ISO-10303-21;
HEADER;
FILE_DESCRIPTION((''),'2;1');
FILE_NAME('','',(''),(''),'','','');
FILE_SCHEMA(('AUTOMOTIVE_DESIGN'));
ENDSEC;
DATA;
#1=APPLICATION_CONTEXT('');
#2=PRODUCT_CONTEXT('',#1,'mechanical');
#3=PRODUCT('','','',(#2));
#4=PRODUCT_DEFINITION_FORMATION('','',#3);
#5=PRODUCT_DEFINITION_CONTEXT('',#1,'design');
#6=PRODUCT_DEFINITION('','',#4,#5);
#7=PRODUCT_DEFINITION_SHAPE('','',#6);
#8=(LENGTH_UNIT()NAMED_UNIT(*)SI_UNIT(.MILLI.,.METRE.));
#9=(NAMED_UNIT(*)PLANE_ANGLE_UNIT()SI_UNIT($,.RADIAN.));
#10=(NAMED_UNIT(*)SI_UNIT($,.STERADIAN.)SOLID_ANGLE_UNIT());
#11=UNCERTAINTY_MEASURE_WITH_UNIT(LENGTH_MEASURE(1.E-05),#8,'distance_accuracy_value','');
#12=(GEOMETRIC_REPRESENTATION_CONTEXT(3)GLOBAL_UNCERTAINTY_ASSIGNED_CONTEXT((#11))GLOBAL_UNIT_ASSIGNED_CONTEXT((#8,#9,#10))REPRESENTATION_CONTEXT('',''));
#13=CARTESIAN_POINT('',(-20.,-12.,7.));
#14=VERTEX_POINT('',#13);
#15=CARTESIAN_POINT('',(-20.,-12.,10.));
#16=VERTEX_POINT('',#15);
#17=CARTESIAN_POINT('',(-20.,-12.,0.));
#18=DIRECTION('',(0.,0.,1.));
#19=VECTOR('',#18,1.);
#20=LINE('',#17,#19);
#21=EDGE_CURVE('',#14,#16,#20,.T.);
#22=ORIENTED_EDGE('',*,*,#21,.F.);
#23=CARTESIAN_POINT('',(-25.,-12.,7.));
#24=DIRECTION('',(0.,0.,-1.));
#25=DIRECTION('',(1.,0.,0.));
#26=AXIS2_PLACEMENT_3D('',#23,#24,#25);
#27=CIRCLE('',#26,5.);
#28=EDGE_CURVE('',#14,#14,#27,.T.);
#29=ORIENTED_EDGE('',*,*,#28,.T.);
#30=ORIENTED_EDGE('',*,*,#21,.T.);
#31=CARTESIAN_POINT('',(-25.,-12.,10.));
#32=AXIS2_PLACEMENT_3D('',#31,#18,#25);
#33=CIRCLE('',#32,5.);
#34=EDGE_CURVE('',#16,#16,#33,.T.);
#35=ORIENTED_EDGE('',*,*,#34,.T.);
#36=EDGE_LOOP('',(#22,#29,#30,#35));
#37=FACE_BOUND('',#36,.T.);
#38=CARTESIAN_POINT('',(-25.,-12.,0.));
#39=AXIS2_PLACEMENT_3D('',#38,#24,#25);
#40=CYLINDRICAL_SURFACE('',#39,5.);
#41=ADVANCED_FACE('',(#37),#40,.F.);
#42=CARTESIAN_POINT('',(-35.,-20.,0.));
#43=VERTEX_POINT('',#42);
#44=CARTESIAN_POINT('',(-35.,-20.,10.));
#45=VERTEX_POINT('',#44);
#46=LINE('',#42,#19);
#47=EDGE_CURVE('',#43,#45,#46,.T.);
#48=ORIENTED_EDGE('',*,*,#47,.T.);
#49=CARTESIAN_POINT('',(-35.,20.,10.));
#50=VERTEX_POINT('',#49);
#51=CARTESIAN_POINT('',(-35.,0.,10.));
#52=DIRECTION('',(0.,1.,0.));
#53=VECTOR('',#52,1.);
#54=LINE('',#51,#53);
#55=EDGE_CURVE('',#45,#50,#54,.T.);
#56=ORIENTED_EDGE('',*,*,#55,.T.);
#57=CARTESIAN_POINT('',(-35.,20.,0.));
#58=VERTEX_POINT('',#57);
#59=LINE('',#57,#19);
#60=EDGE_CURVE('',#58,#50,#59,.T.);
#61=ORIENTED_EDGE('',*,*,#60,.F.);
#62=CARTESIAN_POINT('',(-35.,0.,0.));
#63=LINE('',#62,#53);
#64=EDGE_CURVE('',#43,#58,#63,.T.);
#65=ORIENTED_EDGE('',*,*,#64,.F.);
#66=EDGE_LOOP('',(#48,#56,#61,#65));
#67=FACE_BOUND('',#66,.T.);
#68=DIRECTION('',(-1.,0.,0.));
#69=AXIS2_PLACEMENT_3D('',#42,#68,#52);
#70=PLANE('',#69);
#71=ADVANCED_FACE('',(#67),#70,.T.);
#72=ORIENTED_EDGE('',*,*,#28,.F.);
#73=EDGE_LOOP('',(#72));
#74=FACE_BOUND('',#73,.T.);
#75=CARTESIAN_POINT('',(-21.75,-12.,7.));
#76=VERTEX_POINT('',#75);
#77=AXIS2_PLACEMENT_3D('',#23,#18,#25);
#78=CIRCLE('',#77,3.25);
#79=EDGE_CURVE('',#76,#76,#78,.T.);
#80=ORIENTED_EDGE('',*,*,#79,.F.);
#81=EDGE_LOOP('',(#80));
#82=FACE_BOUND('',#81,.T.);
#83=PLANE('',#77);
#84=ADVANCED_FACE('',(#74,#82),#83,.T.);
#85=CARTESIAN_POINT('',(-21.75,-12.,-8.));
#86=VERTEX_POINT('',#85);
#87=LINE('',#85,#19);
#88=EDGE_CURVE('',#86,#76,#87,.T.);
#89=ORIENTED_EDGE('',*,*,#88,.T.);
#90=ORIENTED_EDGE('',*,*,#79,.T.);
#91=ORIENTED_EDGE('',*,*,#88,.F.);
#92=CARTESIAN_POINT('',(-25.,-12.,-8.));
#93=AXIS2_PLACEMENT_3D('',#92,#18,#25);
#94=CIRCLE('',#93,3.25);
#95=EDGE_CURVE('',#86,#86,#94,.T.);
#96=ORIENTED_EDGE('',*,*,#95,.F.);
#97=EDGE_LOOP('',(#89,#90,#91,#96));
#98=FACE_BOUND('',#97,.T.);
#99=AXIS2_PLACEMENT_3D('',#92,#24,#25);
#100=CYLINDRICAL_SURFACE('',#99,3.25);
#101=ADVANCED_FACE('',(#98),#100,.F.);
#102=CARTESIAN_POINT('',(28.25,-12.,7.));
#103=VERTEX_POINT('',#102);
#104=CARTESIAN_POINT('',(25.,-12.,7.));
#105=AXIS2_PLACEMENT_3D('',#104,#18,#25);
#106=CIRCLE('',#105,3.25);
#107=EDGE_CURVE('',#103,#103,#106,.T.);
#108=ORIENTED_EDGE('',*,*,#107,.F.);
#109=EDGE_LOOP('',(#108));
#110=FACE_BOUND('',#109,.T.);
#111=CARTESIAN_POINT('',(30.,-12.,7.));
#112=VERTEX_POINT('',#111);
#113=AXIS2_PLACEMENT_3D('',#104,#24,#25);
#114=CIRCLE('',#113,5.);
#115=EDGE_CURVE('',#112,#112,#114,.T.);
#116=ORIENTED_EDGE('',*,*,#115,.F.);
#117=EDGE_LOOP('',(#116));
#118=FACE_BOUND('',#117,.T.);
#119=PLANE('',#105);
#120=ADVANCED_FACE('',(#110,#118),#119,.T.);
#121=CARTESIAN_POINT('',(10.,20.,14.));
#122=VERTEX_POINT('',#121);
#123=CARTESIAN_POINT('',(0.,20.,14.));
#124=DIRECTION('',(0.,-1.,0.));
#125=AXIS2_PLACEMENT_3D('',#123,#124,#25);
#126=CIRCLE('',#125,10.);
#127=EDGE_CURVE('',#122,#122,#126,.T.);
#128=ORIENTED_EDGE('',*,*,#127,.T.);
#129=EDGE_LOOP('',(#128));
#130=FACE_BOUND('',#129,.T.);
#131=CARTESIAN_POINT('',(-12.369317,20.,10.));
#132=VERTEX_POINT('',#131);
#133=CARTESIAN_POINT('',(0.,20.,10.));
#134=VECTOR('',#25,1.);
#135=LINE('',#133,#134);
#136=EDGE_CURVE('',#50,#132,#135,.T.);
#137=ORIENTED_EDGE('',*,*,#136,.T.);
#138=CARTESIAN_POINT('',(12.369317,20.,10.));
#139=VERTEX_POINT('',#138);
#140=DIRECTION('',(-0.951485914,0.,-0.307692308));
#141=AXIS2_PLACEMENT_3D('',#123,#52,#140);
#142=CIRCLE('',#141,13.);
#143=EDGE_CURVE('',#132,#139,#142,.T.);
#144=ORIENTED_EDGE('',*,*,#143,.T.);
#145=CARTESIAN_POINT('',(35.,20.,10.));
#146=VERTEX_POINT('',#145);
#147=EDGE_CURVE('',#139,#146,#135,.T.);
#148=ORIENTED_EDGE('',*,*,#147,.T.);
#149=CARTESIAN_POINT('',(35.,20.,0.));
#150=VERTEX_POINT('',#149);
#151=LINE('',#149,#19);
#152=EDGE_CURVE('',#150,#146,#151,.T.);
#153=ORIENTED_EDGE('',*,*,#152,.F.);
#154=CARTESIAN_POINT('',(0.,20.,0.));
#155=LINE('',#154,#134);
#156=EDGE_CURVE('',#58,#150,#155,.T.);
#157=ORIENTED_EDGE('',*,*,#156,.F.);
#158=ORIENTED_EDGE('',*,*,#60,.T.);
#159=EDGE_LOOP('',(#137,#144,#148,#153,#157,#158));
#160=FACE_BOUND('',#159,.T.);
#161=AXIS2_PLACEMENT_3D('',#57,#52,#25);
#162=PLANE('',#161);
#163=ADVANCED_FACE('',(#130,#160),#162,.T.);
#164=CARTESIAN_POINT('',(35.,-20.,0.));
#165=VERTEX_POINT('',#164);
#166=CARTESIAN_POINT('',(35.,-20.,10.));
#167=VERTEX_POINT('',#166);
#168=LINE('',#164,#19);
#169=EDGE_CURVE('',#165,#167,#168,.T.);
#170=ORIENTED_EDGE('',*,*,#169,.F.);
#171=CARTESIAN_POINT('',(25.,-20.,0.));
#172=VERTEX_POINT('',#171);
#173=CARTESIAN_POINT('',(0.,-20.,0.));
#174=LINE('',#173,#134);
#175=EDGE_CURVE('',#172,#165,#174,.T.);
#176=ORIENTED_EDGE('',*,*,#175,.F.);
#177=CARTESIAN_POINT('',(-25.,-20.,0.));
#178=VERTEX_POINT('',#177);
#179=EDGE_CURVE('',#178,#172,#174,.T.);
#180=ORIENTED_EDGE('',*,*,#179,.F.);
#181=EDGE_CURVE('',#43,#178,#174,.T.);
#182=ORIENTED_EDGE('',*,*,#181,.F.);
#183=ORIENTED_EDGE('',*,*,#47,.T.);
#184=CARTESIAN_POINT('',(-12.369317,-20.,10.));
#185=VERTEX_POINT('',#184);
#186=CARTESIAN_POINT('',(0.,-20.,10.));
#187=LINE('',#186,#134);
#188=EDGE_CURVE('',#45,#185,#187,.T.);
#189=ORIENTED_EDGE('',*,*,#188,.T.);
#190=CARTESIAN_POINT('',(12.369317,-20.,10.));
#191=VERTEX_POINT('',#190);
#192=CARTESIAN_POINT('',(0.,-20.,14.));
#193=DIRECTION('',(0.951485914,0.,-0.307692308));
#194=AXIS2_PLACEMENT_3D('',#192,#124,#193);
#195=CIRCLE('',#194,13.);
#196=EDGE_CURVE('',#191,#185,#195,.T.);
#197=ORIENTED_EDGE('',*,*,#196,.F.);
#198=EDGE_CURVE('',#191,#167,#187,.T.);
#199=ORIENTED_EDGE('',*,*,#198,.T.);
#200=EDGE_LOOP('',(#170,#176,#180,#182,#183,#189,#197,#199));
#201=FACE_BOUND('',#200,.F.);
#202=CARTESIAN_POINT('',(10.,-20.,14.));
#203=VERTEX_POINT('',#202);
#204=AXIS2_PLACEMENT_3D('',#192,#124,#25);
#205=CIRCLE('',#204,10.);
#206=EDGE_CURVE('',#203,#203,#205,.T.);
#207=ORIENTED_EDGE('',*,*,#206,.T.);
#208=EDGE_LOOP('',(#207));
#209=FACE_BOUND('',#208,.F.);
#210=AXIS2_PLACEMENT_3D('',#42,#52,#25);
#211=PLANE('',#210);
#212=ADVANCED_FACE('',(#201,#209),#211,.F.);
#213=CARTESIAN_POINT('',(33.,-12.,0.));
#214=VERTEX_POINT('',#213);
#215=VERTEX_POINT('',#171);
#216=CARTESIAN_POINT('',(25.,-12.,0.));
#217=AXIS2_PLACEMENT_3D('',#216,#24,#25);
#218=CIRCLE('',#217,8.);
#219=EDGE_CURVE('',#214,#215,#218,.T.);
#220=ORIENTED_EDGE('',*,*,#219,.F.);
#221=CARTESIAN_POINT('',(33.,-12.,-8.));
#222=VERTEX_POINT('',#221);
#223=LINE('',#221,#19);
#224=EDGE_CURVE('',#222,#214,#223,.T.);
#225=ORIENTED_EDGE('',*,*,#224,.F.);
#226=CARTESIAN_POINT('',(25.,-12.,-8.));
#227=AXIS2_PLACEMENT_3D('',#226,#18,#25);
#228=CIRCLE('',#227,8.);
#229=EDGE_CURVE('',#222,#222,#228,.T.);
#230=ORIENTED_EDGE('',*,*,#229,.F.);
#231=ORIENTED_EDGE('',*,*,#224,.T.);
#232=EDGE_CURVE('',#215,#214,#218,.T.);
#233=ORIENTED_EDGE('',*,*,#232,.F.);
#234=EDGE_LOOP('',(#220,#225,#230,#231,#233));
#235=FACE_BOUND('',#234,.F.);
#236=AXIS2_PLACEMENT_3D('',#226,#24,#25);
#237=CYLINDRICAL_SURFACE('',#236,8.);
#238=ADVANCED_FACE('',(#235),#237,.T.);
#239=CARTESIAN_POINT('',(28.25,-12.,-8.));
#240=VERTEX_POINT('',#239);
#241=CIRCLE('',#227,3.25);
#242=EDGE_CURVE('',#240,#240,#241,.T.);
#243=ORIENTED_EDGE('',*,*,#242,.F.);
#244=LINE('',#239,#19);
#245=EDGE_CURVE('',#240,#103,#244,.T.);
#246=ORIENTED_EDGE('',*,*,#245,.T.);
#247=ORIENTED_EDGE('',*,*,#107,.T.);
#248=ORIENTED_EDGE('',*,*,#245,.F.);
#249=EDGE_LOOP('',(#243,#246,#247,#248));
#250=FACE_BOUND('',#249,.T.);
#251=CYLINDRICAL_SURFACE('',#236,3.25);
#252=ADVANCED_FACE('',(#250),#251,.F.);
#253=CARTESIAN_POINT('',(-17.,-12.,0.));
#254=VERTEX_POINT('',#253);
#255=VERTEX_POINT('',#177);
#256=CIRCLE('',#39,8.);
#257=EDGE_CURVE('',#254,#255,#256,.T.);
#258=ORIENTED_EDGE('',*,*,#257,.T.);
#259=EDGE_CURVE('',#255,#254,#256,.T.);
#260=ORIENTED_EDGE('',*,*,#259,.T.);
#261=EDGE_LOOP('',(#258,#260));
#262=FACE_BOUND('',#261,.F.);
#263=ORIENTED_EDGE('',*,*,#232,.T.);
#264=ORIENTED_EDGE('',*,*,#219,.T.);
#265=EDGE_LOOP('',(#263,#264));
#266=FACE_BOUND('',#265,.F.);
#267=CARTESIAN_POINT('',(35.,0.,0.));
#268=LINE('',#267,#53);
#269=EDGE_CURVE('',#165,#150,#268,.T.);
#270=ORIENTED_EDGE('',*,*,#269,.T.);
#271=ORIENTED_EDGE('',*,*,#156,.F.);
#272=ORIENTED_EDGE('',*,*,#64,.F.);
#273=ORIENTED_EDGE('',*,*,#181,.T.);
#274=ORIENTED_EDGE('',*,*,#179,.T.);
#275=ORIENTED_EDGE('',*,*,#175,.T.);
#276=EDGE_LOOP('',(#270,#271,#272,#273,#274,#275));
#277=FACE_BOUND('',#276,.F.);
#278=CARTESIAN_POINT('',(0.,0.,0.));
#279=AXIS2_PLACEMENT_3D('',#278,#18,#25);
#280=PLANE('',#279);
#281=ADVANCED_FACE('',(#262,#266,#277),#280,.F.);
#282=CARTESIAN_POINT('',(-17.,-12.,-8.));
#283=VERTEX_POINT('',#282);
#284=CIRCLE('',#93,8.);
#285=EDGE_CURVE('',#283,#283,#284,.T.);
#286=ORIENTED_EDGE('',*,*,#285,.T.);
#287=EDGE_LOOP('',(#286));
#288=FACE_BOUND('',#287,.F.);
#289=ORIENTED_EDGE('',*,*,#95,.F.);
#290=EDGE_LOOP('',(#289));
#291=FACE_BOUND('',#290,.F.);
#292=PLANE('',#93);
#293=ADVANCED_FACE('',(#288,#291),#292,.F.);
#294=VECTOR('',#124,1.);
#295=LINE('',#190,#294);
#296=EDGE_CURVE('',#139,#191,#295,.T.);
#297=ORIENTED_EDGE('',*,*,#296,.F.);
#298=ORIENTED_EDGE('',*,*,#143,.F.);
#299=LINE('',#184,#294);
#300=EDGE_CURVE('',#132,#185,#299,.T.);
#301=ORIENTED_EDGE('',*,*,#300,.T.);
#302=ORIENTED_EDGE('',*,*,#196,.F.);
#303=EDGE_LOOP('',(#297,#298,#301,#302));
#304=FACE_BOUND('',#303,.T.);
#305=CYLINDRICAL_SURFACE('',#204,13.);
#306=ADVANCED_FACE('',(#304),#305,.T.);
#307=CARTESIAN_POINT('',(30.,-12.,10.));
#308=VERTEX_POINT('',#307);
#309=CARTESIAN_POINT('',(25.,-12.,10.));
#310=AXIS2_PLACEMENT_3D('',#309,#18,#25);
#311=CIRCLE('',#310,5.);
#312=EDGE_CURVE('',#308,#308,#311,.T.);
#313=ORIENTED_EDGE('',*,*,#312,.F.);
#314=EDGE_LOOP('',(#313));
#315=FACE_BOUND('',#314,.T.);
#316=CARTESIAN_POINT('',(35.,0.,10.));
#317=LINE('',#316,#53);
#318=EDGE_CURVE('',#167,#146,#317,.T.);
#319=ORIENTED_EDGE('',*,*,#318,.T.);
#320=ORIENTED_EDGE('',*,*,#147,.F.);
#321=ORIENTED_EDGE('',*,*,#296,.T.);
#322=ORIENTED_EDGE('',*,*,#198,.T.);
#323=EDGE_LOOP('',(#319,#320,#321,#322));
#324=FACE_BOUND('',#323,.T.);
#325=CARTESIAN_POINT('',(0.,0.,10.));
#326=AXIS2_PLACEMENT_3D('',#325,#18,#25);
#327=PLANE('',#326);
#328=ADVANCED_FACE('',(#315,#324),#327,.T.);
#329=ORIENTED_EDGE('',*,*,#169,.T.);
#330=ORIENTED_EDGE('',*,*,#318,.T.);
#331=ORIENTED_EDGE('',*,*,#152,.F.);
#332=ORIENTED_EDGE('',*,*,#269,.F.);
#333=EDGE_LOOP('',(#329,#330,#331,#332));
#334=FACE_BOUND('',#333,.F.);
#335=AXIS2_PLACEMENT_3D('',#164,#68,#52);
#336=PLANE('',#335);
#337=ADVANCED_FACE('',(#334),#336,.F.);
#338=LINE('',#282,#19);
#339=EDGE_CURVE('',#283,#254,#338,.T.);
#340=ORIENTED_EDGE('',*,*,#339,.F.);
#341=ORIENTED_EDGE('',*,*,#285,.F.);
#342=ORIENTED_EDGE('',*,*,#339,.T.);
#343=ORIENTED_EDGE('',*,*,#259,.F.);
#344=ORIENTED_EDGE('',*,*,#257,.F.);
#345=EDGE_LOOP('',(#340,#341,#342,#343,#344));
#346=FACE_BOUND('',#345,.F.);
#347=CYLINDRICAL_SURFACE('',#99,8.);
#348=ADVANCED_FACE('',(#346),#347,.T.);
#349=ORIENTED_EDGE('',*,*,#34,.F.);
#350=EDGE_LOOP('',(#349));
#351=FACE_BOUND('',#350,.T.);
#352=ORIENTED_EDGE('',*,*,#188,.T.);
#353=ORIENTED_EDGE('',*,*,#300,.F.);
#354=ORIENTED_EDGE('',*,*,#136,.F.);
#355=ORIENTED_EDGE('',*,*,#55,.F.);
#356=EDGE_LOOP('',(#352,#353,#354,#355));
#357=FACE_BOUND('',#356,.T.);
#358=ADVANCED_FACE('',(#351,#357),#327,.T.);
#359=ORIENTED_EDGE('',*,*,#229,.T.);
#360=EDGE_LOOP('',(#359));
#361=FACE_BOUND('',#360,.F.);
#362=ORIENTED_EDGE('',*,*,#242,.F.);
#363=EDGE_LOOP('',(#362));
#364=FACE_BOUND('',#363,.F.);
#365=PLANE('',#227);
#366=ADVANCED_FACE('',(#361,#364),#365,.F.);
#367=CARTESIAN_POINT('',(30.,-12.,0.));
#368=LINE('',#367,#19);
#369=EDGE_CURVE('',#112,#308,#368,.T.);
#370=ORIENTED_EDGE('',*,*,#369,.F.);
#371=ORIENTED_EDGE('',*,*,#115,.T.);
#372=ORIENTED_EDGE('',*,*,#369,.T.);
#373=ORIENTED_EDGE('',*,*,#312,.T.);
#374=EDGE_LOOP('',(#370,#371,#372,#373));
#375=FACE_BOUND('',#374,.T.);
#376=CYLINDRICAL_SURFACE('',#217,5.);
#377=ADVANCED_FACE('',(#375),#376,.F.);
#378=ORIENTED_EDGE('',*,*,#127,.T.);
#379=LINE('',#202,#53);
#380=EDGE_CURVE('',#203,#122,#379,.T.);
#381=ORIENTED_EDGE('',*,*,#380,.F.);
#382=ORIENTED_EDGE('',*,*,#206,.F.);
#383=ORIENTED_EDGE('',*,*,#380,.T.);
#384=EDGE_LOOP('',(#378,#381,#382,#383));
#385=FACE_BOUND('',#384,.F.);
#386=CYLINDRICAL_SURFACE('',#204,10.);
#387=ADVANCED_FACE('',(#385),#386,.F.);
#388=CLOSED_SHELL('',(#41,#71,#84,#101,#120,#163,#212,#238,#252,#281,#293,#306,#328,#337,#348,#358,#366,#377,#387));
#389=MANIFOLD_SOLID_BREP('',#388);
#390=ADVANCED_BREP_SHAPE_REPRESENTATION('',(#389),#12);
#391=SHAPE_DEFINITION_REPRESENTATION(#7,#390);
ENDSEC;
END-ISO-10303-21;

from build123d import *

# Parameters (mm, degrees)
SKETCH002_AS_DRAWN_R                 = 13
SKETCH002_AS_DRAWN_R_2               = 10
EXTRUDE002_DEPTH                     = 40
EXTRUDE002_ONTO_SKETCH002_ROLL_ANGLE = 90
SKETCH003_AS_DRAWN_R                 = 13
EXTRUDE003_DEPTH                     = 40
EXTRUDE003_ONTO_SKETCH003_ROLL_ANGLE = 90
SKETCH_W                             = 70
SKETCH_H                             = 40
SKETCH_R                             = 5
EXTRUDE_DEPTH                        = 10
SKETCH001_R                          = 8
SKETCH001_R_2                        = 3.25
EXTRUDE001_DEPTH                     = 15


with BuildPart() as extrude002:
    # Sketch002 as drawn → Extrude002 (new)
    with BuildSketch(Plane.XY):
        Circle(SKETCH002_AS_DRAWN_R)
        Circle(SKETCH002_AS_DRAWN_R_2, mode=Mode.SUBTRACT)
    extrude(amount=-EXTRUDE002_DEPTH)


with BuildPart() as extrude002_1:
    # Extrude002 onto Sketch002 roll: moved
    add(extrude002.part.rotate(Axis((0, 0, 0), (1, 0, 0)), EXTRUDE002_ONTO_SKETCH002_ROLL_ANGLE))


with BuildPart() as extrude002_2:
    # Extrude002 onto Sketch002 placement: moved
    add(extrude002_1.part)


with BuildPart() as extrude002_3:
    # Extrude002 placement: moved
    add(extrude002_2.part.moved(Location((0, -20, 14))))


with BuildPart() as extrude003:
    # Sketch003 as drawn → Extrude003 (new)
    with BuildSketch(Plane.XY):
        Circle(SKETCH003_AS_DRAWN_R)
    extrude(amount=-EXTRUDE003_DEPTH)


with BuildPart() as extrude003_1:
    # Extrude003 onto Sketch003 roll: moved
    add(extrude003.part.rotate(Axis((0, 0, 0), (1, 0, 0)), EXTRUDE003_ONTO_SKETCH003_ROLL_ANGLE))


with BuildPart() as extrude003_2:
    # Extrude003 onto Sketch003 placement: moved
    add(extrude003_1.part)


with BuildPart() as extrude003_3:
    # Extrude003 placement: moved
    add(extrude003_2.part.moved(Location((0, -20, 14))))


with BuildPart() as cut:
    # Sketch → Extrude (new body)
    with BuildSketch(Plane.XY):
        Rectangle(SKETCH_W, SKETCH_H)
        with Locations((-25, -12)):
            Circle(SKETCH_R, mode=Mode.SUBTRACT)
        with Locations((25, -12)):
            Circle(SKETCH_R, mode=Mode.SUBTRACT)
    extrude(amount=EXTRUDE_DEPTH)

    # Cut: cut Extrude003
    add(extrude003_3.part, mode=Mode.SUBTRACT)


with BuildPart() as fusion:
    # Sketch001 → Extrude001 (new body)
    with BuildSketch(Plane.XY):
        with Locations((-25, -12)):
            Circle(SKETCH001_R)
        with Locations((-25, -12)):
            Circle(SKETCH001_R_2, mode=Mode.SUBTRACT)
        with Locations((25, -12)):
            Circle(SKETCH001_R)
        with Locations((25, -12)):
            Circle(SKETCH001_R_2, mode=Mode.SUBTRACT)
    extrude(amount=EXTRUDE001_DEPTH)


with BuildPart() as fusion_1:
    # Extrude001 placement: moved
    add(fusion.part.moved(Location((0, 0, -8))))

    # Fusion: union Extrude002, Cut
    add(extrude002_3.part)
    add(cut.part)


solid = fusion_1.part
